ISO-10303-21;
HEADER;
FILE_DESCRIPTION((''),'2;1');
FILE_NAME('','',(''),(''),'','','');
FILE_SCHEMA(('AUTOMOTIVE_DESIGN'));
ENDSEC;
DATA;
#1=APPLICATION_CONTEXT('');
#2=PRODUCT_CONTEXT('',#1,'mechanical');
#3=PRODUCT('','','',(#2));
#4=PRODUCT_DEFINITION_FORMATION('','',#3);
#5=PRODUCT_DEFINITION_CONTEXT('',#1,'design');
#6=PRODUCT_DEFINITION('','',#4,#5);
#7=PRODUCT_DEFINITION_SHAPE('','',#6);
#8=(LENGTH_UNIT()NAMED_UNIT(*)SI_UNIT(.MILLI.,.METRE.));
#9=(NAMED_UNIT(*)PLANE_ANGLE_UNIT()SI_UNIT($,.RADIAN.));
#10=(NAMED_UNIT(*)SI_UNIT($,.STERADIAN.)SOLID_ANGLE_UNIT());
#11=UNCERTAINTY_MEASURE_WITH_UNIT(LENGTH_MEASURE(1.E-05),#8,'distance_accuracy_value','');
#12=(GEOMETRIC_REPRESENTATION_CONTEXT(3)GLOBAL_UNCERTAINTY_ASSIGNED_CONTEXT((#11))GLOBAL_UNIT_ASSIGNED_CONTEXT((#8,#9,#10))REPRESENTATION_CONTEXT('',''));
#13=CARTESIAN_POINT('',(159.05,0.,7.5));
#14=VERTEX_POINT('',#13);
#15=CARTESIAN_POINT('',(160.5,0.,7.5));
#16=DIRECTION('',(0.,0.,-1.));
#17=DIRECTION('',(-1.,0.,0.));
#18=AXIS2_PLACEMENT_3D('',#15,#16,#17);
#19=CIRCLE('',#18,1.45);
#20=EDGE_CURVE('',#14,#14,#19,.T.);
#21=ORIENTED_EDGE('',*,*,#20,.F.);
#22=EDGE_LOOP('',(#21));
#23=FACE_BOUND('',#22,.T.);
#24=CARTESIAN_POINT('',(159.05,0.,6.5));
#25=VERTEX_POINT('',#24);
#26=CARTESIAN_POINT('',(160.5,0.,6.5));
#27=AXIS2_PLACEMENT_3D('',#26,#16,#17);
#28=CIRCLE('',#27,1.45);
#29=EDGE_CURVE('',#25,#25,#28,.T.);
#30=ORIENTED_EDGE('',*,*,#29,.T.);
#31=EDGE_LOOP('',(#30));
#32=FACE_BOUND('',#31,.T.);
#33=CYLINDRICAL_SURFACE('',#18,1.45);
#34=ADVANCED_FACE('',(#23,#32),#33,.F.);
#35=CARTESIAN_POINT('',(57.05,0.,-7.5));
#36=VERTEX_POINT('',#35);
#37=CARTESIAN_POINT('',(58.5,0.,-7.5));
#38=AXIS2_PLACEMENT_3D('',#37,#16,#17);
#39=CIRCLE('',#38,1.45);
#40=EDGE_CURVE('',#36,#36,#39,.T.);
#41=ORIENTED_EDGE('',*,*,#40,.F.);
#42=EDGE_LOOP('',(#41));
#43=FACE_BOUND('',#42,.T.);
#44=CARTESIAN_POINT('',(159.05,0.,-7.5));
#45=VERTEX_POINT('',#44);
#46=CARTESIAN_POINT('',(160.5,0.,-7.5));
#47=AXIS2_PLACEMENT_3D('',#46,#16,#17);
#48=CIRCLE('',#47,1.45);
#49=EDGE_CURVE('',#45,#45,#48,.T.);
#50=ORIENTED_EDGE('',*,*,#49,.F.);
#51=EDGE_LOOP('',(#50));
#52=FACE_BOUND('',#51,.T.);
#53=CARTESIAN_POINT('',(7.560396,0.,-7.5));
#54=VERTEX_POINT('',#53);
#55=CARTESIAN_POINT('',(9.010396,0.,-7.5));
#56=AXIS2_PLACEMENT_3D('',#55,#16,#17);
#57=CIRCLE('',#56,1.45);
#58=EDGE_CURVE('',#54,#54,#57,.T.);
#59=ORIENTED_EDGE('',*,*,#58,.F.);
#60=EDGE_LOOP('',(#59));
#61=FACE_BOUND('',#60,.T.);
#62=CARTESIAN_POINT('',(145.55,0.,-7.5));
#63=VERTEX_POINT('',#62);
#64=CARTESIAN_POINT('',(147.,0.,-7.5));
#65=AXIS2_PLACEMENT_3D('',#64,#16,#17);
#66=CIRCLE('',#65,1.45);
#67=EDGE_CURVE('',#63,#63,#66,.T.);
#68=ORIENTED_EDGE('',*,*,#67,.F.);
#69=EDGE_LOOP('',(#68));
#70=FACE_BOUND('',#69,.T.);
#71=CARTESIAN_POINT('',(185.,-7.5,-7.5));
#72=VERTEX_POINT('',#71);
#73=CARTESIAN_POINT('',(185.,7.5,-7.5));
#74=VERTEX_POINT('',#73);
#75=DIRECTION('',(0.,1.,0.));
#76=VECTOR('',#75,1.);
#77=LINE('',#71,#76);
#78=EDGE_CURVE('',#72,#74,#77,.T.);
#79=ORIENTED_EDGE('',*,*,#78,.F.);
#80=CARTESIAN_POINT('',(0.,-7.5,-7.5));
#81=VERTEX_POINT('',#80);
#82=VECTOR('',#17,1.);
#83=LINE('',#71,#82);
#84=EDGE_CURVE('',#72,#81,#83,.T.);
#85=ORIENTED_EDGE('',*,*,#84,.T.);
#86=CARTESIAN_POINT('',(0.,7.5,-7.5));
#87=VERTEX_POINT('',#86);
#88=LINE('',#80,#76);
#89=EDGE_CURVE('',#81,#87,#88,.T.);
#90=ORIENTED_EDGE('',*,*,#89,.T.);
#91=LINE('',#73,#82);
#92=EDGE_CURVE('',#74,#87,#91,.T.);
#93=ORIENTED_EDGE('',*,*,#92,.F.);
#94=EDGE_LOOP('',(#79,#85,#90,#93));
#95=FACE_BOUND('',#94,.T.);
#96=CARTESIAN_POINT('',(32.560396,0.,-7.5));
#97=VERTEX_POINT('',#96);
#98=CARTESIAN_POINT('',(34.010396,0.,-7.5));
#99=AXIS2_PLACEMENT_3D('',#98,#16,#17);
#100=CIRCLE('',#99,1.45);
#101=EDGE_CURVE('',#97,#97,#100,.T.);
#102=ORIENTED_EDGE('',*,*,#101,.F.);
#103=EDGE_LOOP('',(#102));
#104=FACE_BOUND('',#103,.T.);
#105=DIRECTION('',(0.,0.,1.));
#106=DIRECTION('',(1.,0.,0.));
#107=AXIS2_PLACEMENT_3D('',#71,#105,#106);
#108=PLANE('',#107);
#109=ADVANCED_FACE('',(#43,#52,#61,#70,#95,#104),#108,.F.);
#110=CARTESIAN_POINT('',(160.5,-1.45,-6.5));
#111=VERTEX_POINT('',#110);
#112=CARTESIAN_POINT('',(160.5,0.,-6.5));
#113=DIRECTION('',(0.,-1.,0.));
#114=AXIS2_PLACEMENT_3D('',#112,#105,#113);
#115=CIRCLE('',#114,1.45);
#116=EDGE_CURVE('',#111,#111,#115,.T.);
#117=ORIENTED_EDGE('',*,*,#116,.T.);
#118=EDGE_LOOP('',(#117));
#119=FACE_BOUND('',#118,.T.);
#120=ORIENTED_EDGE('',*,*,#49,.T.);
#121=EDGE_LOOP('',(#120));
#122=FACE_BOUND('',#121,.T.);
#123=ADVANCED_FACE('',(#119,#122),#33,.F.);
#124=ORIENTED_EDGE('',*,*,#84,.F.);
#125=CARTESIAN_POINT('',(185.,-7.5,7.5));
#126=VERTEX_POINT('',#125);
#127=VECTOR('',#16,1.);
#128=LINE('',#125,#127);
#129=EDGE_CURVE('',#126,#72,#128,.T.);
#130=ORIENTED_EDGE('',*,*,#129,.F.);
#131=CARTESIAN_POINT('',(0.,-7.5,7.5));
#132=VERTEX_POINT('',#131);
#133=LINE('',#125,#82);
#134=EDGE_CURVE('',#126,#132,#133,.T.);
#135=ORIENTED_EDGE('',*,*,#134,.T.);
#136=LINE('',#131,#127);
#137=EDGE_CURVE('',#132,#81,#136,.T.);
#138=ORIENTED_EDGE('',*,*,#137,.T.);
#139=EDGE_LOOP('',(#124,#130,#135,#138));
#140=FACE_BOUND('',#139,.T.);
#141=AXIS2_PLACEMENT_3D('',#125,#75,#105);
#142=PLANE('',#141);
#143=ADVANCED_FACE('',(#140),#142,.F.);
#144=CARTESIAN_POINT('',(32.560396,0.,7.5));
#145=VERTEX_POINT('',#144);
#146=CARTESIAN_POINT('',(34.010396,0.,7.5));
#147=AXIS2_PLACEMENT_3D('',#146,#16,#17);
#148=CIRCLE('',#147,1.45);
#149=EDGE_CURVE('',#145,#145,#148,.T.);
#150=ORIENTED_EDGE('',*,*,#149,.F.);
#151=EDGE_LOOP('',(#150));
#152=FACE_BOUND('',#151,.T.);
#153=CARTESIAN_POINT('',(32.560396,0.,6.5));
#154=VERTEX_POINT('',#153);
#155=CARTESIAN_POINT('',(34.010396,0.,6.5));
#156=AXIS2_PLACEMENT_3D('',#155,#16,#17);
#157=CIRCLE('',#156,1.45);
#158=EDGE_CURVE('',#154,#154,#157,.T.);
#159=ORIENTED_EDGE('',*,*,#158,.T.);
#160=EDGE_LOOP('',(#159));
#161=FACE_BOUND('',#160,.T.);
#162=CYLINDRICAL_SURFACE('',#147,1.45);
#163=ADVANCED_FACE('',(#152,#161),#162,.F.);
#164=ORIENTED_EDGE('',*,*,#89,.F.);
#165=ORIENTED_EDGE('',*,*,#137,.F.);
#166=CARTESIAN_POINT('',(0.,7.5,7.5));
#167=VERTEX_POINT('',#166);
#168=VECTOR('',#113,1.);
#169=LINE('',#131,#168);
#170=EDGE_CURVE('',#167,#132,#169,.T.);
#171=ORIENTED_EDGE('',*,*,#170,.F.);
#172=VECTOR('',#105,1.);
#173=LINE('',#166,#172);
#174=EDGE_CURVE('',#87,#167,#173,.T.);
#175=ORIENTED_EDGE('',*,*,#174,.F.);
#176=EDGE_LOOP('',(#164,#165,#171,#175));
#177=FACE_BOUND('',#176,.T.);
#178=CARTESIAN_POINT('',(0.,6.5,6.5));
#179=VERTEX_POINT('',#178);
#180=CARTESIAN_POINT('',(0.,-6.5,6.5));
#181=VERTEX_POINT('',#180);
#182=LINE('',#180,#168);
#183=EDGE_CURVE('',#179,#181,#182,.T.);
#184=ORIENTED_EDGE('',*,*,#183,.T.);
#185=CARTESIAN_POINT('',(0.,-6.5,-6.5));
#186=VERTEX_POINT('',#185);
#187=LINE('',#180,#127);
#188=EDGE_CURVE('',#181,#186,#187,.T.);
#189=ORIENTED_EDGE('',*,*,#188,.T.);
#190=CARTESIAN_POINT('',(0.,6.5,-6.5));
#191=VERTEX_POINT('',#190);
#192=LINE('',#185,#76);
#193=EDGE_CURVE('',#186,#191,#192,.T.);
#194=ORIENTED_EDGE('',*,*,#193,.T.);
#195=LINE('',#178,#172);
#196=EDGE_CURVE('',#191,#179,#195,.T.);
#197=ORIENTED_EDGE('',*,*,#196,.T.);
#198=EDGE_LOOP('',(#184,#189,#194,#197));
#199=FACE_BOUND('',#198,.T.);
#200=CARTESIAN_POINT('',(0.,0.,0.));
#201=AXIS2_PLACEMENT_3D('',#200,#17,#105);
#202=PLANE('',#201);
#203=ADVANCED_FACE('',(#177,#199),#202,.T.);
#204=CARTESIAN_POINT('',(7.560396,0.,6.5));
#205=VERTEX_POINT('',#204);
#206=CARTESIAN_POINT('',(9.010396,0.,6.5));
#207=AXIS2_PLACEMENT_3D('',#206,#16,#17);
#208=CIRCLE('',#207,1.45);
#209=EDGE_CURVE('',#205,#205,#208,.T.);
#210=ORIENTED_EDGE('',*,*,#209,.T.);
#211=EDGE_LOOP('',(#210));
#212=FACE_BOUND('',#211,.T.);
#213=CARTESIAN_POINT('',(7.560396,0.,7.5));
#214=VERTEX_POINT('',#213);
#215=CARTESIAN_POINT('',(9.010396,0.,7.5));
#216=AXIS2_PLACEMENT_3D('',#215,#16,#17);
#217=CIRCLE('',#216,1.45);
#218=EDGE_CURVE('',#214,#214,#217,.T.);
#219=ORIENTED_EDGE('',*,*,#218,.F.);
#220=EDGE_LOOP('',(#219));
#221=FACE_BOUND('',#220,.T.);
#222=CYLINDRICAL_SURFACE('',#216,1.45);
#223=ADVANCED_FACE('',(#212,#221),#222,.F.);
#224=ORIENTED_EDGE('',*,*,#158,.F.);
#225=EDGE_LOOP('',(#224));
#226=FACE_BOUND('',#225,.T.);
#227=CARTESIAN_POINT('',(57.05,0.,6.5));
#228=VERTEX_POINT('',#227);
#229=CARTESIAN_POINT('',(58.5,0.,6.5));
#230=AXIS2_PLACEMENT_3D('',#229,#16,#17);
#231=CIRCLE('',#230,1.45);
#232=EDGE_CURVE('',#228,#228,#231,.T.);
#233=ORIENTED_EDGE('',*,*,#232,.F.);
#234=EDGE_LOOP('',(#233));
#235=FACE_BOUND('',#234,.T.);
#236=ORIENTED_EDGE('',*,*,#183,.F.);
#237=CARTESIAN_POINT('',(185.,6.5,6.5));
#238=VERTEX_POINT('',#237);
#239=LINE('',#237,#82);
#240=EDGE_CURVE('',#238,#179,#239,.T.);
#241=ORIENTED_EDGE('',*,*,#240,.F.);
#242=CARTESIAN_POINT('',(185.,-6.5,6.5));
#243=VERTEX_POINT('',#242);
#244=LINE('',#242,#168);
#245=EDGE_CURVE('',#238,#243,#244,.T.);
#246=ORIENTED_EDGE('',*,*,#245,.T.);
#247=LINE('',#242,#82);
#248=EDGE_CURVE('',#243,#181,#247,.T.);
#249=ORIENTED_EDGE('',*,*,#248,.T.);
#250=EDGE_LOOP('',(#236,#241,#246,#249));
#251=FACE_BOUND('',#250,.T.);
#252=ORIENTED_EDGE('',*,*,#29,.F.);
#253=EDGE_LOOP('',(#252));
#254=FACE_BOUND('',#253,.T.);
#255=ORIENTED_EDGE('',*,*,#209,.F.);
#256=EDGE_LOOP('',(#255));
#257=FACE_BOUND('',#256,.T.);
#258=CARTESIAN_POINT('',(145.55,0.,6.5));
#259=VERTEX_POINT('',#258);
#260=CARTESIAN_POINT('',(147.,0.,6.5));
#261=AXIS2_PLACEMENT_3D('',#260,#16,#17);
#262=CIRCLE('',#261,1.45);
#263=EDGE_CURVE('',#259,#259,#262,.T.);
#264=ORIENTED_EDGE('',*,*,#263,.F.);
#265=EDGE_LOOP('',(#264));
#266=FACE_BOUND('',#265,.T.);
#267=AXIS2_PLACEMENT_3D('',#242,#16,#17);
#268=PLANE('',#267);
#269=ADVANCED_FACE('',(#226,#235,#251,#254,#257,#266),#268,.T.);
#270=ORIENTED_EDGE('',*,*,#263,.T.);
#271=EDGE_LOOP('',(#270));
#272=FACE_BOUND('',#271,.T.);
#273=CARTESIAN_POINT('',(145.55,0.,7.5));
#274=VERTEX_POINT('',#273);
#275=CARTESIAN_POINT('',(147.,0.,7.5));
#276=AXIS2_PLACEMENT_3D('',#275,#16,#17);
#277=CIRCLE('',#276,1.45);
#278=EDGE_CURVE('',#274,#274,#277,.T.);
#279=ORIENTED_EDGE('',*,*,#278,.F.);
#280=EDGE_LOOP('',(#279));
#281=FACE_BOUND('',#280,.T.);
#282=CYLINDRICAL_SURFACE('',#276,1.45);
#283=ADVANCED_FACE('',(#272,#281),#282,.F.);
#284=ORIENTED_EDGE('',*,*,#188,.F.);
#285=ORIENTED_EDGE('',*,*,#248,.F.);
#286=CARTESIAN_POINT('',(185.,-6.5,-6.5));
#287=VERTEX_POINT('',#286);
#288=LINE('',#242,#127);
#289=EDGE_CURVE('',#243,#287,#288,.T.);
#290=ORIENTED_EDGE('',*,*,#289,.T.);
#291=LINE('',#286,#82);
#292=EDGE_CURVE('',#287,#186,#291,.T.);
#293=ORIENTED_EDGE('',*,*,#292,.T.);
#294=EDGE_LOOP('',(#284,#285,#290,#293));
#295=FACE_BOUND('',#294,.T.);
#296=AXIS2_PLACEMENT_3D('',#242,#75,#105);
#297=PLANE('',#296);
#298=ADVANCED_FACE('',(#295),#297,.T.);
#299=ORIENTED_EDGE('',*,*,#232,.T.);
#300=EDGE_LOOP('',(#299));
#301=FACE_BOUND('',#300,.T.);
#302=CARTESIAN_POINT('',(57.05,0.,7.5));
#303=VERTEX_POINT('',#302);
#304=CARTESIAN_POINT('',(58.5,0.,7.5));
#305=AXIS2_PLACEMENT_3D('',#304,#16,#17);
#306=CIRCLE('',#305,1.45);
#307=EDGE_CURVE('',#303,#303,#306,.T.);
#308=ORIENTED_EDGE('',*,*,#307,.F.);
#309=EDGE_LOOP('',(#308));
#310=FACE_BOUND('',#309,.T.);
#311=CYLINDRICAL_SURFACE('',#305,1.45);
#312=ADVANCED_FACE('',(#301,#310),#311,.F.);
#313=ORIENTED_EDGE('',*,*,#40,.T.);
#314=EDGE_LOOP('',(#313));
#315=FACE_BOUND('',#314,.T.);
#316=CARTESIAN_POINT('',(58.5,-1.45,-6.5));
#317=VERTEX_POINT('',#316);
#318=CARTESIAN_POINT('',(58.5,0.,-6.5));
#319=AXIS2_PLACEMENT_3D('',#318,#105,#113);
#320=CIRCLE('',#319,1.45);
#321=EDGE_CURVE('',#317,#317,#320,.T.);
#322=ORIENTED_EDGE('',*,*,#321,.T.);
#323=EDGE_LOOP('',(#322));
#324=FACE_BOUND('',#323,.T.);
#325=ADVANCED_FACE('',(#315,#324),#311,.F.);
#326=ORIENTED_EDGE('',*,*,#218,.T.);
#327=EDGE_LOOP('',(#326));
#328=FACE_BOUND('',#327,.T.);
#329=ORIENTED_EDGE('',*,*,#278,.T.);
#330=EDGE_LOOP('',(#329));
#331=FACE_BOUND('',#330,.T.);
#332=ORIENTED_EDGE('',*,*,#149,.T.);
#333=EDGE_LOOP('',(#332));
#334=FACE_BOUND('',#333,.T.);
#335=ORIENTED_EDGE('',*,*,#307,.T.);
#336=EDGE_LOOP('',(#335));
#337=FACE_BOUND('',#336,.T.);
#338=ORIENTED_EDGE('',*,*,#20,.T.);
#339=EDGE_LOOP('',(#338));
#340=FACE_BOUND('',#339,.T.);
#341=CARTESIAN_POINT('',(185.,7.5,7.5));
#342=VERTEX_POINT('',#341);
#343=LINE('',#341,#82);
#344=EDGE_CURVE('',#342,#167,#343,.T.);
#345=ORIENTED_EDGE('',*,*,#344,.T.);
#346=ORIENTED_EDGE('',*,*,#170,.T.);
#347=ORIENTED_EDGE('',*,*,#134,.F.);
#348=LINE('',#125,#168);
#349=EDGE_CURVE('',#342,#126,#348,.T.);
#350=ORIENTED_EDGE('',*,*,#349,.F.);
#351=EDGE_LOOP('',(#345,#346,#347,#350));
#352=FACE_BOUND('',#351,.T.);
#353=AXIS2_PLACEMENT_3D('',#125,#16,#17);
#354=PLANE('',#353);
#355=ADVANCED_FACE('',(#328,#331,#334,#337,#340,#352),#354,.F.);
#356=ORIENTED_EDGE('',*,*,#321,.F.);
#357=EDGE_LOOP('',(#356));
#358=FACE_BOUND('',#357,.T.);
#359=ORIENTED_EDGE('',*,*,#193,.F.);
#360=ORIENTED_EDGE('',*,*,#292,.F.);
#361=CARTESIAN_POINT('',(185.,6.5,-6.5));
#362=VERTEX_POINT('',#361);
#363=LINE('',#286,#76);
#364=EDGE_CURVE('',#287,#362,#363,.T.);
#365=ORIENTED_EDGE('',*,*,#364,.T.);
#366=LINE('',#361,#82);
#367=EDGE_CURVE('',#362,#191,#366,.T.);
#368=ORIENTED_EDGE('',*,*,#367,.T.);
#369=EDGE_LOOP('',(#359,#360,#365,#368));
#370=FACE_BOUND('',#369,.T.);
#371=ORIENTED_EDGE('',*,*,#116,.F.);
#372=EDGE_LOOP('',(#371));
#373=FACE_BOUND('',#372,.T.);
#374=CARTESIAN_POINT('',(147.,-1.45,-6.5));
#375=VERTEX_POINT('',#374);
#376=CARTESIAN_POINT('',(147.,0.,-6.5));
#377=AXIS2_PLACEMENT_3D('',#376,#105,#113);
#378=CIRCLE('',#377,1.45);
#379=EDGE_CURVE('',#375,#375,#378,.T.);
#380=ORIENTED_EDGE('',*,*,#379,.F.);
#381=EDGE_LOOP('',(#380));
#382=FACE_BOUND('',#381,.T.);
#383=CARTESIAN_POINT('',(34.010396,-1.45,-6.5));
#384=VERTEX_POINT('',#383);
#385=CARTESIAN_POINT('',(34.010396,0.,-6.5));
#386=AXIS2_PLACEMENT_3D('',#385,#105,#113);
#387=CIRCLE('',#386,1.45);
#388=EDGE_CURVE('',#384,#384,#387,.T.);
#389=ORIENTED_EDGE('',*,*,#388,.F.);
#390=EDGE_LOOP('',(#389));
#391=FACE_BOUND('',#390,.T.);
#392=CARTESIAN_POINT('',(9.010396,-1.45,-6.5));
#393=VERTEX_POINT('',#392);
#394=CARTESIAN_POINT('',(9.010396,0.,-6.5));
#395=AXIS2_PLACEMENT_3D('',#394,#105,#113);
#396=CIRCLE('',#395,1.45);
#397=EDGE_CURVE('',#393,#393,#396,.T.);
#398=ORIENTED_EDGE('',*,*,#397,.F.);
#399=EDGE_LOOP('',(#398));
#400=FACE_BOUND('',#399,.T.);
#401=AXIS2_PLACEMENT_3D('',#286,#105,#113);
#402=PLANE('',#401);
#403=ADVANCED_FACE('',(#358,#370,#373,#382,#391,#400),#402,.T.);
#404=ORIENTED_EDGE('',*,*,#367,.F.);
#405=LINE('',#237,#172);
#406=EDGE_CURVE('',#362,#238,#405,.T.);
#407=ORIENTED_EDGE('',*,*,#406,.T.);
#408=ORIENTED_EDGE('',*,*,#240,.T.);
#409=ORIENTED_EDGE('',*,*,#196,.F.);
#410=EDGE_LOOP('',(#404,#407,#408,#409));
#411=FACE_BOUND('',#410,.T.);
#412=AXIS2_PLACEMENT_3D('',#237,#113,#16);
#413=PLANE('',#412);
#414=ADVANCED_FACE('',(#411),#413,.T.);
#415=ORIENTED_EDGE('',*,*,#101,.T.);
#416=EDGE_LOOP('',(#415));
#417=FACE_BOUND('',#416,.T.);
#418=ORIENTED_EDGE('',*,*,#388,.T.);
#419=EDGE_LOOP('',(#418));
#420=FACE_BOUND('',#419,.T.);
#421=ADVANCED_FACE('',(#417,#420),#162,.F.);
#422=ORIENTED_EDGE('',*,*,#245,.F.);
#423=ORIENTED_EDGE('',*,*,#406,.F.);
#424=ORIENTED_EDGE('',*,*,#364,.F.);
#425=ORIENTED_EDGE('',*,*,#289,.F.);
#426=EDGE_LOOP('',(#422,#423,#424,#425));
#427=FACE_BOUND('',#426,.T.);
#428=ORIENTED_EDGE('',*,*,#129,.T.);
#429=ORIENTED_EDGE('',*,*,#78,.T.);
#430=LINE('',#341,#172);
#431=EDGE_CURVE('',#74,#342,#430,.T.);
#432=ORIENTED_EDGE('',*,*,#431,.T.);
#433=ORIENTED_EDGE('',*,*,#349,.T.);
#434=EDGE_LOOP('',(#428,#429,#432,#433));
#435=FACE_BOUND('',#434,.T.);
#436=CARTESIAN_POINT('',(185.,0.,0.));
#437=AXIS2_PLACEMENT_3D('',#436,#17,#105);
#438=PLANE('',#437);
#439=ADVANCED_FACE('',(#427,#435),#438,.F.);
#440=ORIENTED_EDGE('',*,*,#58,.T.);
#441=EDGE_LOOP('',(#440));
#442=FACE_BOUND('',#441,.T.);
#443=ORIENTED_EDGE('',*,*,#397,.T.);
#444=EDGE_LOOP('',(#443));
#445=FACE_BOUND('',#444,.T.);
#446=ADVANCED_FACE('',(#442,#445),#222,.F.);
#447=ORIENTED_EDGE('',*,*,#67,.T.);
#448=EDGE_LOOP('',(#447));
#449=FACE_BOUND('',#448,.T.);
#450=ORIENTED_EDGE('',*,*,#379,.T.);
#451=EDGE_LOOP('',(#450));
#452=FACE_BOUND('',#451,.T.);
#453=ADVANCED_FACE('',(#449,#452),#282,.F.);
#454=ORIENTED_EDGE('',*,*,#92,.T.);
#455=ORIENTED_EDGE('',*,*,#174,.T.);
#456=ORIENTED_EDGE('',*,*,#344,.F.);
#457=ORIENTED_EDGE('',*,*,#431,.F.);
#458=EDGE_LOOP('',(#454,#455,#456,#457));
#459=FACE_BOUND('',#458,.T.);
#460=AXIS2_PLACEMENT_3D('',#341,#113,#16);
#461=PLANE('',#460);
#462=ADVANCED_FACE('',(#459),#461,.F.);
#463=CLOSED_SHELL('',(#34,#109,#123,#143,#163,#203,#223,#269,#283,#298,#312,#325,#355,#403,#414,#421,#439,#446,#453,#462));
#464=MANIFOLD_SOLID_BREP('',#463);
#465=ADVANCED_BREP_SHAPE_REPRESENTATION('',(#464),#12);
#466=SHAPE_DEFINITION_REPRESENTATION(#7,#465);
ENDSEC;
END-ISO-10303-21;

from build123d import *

# Parameters (mm, degrees)
SKETCH_1_W          = 15
SKETCH_1_H          = 15
SKETCH_1_W_2        = 13
SKETCH_1_H_2        = 13
EXTRUDE_1_DEPTH     = 185
SKETCH_2_R          = 1.45
CUT_EXTRUDE_1_DEPTH = 186.758579883


with BuildPart() as part:
    # 草图1 → 凸台-拉伸1 (new body)
    with BuildSketch(Plane(origin=(0, 0, 0), x_dir=(0, 0, -1), z_dir=(1, 0, 0))):
        Rectangle(SKETCH_1_W, SKETCH_1_H)
        Rectangle(SKETCH_1_W_2, SKETCH_1_H_2, mode=Mode.SUBTRACT)
    extrude(amount=EXTRUDE_1_DEPTH)

    # 草图2 → 切除-拉伸1 (cut, through all)
    with BuildSketch(Plane(origin=(0, 0, -7.5), x_dir=(-1, 0, 0), z_dir=(0, 0, -1))):
        with Locations((-9.010396093, 0)):
            Circle(SKETCH_2_R)
        with Locations((-160.5, 0)):
            Circle(SKETCH_2_R)
        with Locations((-147, 0)):
            Circle(SKETCH_2_R)
        with Locations((-58.5, 0)):
            Circle(SKETCH_2_R)
        with Locations((-34.010396093, 0)):
            Circle(SKETCH_2_R)
    extrude(amount=-CUT_EXTRUDE_1_DEPTH, mode=Mode.SUBTRACT)


solid = part.part
